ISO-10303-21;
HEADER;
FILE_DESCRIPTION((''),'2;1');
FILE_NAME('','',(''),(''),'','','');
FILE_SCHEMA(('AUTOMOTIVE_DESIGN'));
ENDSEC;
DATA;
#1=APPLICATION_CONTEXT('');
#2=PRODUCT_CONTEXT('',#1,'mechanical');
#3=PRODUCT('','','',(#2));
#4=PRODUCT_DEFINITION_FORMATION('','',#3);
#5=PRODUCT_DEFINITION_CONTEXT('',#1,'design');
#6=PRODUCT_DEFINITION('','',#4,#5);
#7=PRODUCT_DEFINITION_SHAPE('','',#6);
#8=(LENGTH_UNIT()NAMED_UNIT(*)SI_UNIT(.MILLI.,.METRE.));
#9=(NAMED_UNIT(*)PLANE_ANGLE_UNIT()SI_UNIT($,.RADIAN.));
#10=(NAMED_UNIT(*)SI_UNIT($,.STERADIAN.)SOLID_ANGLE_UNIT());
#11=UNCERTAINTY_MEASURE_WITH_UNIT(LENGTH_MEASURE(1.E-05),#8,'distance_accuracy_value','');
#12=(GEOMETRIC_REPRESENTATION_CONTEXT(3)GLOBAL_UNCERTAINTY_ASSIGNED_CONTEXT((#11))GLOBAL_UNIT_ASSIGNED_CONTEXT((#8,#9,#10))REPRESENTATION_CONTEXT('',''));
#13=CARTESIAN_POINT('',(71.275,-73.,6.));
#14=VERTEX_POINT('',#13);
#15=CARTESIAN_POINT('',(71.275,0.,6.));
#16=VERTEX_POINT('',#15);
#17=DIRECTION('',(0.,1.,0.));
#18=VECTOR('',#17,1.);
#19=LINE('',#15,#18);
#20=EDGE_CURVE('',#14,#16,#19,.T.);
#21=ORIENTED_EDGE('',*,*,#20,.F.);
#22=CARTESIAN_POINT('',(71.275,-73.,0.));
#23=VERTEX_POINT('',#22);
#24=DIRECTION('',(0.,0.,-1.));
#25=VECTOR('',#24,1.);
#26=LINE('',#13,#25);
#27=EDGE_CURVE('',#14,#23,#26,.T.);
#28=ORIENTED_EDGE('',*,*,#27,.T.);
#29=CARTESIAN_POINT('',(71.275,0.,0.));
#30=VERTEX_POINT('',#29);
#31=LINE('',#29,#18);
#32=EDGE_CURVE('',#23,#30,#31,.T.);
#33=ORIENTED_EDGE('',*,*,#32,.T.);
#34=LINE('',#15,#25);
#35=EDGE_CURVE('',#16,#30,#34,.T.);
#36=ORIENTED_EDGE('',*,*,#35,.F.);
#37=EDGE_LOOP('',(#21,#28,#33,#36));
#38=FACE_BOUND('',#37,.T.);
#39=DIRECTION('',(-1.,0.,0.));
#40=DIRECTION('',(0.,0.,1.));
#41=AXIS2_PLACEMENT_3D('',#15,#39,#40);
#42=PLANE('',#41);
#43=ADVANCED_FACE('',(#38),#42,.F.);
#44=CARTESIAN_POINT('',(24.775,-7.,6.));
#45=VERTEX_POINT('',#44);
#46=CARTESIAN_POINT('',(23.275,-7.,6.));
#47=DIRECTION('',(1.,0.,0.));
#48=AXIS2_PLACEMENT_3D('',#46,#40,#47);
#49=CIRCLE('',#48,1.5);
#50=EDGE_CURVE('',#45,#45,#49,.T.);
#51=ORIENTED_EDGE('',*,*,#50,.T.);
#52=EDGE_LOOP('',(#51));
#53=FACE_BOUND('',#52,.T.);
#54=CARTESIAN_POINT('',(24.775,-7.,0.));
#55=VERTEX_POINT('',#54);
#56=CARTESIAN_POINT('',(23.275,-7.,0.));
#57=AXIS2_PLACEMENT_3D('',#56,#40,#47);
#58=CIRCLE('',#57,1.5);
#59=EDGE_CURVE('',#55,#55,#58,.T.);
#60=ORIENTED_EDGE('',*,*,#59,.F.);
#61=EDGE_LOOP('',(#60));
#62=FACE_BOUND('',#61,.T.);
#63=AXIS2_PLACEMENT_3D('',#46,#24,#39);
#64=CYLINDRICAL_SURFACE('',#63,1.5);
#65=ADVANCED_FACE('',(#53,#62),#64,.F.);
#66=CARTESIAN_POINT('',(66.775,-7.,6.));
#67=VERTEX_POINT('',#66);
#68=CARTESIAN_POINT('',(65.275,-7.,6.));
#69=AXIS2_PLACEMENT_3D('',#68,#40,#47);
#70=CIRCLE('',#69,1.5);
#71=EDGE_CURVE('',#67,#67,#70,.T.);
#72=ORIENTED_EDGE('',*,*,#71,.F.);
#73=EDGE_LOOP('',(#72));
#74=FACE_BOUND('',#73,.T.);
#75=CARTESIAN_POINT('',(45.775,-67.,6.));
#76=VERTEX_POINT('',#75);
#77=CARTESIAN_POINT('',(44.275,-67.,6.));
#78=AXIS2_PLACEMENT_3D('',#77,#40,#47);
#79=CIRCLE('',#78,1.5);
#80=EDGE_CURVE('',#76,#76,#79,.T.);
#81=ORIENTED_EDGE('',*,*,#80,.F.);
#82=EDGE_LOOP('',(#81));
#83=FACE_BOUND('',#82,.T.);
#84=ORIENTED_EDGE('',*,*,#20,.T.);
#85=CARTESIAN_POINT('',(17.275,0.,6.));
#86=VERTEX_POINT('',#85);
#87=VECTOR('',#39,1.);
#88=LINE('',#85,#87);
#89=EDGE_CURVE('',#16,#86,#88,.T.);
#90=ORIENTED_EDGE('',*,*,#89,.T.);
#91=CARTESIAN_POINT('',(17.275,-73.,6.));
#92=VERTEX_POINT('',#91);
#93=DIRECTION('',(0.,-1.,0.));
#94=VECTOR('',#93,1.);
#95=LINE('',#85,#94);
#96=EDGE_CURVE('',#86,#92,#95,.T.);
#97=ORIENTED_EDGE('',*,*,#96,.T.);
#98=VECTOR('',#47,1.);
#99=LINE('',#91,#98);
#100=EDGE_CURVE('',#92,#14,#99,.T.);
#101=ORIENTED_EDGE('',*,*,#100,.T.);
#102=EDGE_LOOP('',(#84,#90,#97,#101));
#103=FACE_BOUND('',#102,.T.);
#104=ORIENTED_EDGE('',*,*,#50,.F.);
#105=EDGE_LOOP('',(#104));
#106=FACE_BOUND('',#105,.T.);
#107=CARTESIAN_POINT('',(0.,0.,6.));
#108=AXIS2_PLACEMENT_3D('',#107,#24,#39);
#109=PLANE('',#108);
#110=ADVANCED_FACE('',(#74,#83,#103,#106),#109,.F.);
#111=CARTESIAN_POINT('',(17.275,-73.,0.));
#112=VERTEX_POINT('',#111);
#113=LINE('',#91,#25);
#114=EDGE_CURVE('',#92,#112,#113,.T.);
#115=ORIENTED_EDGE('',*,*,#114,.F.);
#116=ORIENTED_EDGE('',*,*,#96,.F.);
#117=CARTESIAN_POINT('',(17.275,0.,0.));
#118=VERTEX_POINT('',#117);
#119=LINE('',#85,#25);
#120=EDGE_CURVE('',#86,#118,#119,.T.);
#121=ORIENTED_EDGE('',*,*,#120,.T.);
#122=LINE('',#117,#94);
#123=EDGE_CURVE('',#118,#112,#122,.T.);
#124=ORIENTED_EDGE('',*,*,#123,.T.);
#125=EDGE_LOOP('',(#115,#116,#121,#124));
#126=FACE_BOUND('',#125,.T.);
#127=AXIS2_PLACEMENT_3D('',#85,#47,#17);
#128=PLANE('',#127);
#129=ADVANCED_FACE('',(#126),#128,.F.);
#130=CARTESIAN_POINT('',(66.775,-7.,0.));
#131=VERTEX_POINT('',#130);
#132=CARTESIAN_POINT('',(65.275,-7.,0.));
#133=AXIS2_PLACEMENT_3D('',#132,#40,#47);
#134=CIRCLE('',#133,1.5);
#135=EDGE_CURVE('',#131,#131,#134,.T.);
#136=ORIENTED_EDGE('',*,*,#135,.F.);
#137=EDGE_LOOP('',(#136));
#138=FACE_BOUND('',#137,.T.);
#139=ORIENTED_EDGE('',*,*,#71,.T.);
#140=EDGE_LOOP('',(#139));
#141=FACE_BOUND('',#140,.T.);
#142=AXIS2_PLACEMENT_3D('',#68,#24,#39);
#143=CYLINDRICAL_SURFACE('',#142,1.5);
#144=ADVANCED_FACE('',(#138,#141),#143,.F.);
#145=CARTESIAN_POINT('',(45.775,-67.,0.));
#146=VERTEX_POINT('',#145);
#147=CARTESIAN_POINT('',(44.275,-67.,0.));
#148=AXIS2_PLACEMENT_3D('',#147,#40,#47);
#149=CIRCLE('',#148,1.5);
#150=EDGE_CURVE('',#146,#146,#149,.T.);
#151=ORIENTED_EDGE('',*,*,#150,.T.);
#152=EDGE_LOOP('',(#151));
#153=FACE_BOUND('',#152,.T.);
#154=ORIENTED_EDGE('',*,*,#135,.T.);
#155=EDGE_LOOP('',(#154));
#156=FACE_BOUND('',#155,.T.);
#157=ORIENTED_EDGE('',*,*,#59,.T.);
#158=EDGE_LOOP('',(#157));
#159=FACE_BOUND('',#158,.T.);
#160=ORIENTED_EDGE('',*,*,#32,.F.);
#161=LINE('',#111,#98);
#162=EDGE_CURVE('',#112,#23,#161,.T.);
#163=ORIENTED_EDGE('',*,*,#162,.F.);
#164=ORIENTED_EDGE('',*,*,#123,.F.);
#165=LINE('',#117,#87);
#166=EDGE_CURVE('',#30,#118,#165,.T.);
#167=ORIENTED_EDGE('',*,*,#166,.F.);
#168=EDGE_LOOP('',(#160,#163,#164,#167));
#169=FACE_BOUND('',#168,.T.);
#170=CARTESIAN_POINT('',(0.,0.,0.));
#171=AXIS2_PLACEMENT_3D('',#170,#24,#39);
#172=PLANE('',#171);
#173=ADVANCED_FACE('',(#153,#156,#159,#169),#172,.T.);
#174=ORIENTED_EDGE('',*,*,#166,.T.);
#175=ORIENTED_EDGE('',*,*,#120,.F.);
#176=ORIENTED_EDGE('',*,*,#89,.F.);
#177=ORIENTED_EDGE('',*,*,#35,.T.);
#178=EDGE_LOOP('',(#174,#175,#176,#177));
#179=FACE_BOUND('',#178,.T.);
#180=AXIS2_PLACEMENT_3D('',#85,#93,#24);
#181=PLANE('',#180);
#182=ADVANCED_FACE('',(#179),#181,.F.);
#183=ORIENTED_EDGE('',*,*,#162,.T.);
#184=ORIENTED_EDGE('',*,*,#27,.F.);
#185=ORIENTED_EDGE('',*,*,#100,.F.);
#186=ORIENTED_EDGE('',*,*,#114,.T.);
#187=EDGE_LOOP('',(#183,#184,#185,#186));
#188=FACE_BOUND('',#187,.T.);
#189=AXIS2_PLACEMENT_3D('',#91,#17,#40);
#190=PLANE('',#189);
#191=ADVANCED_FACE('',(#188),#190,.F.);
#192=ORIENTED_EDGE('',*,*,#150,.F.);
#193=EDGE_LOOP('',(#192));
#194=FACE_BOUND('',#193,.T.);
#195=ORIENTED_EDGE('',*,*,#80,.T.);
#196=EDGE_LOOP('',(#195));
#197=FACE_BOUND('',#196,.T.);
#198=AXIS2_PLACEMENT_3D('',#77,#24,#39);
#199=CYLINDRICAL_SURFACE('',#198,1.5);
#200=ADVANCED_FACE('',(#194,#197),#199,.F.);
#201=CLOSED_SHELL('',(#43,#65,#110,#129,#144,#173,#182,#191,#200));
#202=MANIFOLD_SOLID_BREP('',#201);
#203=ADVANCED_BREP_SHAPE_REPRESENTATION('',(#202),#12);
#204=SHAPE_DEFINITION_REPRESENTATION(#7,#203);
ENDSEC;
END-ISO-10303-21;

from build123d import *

# Parameters (mm, degrees)
SKETCH_1_W      = 54
SKETCH_1_H      = 73
SKETCH_1_R      = 1.5
EXTRUDE_1_DEPTH = 6


with BuildPart() as part:
    # Эскиз1 → Бобышка-Вытянуть1 (new body)
    with BuildSketch(Plane.XY):
        with Locations((44.275, -36.5)):
            Rectangle(SKETCH_1_W, SKETCH_1_H)
        with Locations((44.275, -67)):
            Circle(SKETCH_1_R, mode=Mode.SUBTRACT)
        with Locations((65.275, -7)):
            Circle(SKETCH_1_R, mode=Mode.SUBTRACT)
        with Locations((23.275, -7)):
            Circle(SKETCH_1_R, mode=Mode.SUBTRACT)
    extrude(amount=EXTRUDE_1_DEPTH)


solid = part.part
